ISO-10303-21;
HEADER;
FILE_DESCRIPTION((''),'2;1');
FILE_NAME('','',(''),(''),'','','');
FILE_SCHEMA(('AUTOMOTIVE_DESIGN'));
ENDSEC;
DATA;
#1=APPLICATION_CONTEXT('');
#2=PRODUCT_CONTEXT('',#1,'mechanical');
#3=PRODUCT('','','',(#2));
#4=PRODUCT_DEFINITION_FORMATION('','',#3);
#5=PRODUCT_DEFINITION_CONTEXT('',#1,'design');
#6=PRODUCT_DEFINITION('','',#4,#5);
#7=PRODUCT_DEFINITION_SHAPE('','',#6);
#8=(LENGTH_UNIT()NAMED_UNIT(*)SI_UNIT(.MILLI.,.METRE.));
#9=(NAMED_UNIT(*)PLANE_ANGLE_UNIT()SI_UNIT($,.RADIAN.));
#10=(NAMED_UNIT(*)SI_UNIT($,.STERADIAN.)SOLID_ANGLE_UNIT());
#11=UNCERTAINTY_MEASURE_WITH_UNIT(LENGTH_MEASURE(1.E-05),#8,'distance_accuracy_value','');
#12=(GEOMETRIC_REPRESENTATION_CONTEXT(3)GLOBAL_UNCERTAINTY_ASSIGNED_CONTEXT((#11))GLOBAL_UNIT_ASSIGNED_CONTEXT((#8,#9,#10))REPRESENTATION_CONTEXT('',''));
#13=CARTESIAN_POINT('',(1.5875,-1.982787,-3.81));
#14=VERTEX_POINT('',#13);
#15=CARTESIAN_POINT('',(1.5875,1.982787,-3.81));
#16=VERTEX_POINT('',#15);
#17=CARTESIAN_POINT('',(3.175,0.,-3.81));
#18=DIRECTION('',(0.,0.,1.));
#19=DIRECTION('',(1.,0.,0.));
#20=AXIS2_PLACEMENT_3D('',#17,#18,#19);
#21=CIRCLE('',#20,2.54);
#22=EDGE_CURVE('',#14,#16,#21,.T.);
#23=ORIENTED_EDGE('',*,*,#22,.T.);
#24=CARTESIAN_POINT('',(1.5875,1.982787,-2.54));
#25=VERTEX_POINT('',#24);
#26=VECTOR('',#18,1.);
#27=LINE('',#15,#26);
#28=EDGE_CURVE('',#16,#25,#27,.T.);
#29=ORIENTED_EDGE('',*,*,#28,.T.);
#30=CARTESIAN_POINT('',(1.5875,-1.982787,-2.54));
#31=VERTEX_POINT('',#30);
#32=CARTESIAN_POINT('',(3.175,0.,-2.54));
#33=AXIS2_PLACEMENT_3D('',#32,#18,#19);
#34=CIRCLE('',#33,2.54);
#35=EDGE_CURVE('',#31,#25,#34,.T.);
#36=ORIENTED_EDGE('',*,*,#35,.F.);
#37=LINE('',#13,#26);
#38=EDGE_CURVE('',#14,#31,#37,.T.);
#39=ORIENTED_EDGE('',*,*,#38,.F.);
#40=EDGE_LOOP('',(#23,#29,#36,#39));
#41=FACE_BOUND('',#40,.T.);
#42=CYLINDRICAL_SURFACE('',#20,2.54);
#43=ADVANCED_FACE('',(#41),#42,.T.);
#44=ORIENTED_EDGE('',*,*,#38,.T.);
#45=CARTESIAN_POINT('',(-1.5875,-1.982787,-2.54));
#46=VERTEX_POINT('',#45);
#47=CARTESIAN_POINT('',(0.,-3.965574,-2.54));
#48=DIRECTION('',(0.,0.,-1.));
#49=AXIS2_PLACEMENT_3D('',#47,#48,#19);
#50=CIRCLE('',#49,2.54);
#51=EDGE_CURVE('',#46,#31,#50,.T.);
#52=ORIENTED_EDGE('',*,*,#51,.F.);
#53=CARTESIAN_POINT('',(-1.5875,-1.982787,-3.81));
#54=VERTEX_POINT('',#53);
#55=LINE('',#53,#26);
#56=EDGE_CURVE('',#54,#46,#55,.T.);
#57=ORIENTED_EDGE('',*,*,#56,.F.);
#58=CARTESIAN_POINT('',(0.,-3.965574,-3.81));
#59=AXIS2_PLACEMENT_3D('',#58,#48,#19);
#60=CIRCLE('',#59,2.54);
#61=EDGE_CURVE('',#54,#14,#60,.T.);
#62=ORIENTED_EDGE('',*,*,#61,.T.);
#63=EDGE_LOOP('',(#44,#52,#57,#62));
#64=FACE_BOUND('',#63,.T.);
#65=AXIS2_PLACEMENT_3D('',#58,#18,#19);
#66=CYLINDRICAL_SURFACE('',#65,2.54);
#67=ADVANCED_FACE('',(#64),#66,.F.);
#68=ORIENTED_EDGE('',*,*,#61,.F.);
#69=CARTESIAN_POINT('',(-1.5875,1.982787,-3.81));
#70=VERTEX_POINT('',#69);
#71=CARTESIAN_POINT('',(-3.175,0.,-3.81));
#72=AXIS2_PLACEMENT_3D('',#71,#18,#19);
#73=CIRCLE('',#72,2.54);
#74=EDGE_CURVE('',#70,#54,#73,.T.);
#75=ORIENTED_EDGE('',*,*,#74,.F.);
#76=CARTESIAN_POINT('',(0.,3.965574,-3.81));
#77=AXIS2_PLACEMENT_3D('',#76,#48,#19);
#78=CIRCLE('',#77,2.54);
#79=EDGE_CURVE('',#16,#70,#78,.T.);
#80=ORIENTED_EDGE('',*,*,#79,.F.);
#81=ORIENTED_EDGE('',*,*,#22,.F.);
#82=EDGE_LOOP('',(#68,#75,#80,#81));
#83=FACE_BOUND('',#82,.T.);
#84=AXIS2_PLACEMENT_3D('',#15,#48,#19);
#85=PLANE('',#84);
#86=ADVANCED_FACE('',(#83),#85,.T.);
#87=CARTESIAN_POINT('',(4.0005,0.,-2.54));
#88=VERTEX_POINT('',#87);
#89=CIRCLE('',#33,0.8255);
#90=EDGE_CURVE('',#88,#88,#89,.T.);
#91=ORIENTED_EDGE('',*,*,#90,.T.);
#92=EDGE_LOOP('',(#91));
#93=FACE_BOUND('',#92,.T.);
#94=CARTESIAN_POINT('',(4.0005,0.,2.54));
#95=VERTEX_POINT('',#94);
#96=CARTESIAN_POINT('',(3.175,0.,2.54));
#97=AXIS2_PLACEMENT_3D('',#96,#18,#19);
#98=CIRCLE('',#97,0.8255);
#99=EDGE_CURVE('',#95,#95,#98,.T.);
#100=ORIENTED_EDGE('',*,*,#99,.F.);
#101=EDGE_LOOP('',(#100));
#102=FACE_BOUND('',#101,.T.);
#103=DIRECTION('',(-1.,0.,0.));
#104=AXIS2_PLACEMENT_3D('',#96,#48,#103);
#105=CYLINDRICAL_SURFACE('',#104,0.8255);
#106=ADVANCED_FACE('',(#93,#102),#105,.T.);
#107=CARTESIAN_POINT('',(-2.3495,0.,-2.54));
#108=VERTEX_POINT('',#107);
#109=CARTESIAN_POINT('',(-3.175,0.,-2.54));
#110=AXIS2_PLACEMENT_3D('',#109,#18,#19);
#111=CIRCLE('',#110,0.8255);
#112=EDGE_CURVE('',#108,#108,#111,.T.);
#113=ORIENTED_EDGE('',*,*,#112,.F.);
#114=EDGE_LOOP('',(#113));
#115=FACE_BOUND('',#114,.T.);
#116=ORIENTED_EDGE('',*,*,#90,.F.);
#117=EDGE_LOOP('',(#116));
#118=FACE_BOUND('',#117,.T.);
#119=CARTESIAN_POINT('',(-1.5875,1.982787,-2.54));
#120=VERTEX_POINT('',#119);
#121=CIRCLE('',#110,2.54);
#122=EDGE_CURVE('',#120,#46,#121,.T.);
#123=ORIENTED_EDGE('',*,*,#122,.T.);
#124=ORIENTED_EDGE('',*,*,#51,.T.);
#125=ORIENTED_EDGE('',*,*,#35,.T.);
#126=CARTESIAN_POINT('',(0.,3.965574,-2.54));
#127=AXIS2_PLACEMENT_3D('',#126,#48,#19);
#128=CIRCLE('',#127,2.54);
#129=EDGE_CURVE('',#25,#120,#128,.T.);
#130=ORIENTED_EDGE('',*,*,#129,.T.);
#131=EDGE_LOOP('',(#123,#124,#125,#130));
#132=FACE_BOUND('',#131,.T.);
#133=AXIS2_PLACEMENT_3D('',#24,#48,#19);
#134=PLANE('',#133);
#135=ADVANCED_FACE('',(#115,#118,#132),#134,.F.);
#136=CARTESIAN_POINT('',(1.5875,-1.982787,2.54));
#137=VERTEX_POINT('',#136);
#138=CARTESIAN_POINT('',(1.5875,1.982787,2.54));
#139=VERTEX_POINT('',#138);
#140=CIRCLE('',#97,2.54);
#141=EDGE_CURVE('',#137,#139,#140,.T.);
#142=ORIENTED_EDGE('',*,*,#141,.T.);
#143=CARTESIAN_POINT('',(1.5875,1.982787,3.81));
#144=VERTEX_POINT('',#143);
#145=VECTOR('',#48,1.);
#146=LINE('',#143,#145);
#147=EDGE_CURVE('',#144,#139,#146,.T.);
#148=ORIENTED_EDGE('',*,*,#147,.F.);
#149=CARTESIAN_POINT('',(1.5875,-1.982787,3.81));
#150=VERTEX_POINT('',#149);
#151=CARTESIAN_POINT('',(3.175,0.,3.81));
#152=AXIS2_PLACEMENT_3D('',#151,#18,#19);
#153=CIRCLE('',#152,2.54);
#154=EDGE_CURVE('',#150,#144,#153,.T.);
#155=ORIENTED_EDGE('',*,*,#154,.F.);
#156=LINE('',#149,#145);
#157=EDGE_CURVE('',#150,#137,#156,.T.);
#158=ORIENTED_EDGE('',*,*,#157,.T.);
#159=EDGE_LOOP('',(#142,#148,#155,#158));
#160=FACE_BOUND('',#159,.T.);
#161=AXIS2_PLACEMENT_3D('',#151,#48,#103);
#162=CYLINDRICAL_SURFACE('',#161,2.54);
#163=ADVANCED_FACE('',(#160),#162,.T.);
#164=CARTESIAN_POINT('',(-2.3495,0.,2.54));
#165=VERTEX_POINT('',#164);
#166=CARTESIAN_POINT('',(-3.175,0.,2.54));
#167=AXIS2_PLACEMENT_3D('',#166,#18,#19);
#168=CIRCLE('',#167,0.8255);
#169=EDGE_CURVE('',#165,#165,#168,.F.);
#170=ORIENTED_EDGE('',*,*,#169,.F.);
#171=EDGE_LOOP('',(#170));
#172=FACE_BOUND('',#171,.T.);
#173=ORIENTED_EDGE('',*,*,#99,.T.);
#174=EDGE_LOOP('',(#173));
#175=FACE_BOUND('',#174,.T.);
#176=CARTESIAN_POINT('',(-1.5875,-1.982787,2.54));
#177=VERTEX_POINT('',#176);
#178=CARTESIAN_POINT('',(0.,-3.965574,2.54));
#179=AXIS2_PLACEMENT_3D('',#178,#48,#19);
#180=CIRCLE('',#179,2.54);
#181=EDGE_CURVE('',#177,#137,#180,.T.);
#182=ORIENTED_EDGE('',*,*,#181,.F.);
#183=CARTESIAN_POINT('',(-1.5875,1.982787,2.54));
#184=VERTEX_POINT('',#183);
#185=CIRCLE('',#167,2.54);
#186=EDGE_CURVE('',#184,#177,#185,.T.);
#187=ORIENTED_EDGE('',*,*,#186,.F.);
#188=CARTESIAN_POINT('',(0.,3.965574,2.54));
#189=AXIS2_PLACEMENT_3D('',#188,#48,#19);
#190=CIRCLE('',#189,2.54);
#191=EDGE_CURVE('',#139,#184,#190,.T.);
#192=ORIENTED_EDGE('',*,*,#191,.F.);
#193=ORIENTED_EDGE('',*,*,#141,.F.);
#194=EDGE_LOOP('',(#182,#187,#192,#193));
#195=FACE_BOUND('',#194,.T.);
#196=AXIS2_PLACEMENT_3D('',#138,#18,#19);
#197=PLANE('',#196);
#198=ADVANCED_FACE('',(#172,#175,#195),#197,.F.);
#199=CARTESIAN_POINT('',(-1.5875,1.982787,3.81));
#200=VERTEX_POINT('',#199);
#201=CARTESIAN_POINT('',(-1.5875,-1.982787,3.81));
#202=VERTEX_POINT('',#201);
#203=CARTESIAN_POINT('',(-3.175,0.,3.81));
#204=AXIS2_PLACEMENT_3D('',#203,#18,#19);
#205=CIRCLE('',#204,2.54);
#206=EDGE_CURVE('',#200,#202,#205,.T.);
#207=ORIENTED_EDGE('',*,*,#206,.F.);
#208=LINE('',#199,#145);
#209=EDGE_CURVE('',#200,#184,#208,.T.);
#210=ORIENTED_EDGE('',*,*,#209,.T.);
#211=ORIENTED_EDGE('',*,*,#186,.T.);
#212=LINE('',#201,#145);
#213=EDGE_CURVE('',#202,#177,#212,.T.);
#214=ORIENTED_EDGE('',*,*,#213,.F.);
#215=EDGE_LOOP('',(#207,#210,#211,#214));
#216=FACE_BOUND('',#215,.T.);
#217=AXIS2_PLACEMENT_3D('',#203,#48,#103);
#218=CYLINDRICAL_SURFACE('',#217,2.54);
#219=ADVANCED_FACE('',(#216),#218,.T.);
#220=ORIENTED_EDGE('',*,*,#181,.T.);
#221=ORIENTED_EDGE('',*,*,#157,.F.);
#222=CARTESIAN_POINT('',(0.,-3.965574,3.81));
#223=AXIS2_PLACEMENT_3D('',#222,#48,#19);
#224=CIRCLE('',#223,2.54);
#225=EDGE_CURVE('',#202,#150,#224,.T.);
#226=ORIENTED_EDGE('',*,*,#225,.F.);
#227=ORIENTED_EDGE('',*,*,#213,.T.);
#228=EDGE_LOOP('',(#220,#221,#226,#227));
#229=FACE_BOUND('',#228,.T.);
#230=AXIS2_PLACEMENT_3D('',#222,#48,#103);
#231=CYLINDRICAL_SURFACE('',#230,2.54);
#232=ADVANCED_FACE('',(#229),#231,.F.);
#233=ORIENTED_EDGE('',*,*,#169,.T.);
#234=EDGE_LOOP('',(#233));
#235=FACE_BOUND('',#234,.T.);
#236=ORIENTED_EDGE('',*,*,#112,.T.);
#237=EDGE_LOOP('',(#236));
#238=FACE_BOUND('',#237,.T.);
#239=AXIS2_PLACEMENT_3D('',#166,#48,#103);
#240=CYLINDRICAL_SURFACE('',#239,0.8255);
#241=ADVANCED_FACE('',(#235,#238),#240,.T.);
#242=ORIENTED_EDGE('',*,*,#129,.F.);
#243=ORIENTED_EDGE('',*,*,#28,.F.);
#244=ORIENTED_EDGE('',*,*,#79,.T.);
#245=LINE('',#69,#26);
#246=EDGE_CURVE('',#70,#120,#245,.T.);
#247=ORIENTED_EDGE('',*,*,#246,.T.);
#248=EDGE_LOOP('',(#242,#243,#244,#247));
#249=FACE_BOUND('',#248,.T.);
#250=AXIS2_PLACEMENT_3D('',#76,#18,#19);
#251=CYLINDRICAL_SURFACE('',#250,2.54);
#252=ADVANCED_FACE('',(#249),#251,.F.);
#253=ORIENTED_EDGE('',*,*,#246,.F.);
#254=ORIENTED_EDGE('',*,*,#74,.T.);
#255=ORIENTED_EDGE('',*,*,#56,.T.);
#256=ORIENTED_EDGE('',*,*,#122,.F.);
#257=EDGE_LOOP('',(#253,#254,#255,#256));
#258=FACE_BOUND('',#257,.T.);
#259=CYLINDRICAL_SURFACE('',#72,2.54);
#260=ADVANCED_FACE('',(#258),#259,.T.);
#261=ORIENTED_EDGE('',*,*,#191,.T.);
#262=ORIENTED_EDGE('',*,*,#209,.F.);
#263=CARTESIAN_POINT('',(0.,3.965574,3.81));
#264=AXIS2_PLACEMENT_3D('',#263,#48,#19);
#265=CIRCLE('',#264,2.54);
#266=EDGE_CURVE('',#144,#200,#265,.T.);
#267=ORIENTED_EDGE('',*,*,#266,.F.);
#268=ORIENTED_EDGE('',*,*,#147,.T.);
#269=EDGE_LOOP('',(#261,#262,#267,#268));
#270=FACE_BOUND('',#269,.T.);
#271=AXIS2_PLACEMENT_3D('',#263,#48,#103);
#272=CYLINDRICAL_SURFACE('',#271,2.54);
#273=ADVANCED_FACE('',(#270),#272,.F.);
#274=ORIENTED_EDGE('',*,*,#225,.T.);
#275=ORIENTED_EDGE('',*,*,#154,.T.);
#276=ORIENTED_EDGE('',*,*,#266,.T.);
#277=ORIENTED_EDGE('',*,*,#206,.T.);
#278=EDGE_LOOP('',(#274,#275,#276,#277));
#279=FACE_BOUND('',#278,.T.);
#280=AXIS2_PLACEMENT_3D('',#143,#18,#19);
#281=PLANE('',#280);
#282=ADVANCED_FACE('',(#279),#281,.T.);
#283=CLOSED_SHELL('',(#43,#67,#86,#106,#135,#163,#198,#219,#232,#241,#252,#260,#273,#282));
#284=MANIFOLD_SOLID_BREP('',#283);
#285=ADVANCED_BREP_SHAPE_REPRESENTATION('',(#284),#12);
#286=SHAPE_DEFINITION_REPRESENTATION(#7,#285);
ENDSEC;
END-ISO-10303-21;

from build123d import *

# Parameters (mm, degrees)
SKETCH1_R             = 0.8255
BOSS_EXTRUDE1_DEPTH   = 2.54
BOSS_EXTRUDE1_2_DEPTH = 2.54
BOSS_EXTRUDE2_DEPTH   = 1.27


with BuildPart() as part:
    # Sketch1 → Boss-Extrude1 (new, symmetric)
    with BuildSketch(Plane.XY):
        with Locations((3.175, 0)):
            Circle(SKETCH1_R)
    extrude(amount=BOSS_EXTRUDE1_DEPTH, both=True)



with BuildPart() as body_2:
    # Sketch1 → Boss-Extrude1 2 (new, symmetric)
    with BuildSketch(Plane.XY):
        with Locations((-3.175, 0)):
            Circle(SKETCH1_R)
    extrude(amount=BOSS_EXTRUDE1_2_DEPTH, both=True)


with BuildPart() as part_1:
    add(part.part)

    add(body_2.part)  # Boss-Extrude2 merges body 2
    # Sketch2 → Boss-Extrude2 (add)
    with BuildSketch(Plane.XY.offset(2.54)):
        with BuildLine():
            ThreePointArc((1.5875, -1.982786864), (5.715, 0), (1.5875, 1.982786864))
            ThreePointArc((1.5875, 1.982786864), (0, 1.425573729), (-1.5875, 1.982786864))
            ThreePointArc((-1.5875, 1.982786864), (-5.715, 0), (-1.5875, -1.982786864))
            ThreePointArc((-1.5875, -1.982786864), (0, -1.425573729), (1.5875, -1.982786864))
        make_face()
    boss_extrude2 = extrude(amount=BOSS_EXTRUDE2_DEPTH)

    # Mirror1: Boss-Extrude2 across plane
    add(boss_extrude2.mirror(Plane.XY))


solid = part_1.part
